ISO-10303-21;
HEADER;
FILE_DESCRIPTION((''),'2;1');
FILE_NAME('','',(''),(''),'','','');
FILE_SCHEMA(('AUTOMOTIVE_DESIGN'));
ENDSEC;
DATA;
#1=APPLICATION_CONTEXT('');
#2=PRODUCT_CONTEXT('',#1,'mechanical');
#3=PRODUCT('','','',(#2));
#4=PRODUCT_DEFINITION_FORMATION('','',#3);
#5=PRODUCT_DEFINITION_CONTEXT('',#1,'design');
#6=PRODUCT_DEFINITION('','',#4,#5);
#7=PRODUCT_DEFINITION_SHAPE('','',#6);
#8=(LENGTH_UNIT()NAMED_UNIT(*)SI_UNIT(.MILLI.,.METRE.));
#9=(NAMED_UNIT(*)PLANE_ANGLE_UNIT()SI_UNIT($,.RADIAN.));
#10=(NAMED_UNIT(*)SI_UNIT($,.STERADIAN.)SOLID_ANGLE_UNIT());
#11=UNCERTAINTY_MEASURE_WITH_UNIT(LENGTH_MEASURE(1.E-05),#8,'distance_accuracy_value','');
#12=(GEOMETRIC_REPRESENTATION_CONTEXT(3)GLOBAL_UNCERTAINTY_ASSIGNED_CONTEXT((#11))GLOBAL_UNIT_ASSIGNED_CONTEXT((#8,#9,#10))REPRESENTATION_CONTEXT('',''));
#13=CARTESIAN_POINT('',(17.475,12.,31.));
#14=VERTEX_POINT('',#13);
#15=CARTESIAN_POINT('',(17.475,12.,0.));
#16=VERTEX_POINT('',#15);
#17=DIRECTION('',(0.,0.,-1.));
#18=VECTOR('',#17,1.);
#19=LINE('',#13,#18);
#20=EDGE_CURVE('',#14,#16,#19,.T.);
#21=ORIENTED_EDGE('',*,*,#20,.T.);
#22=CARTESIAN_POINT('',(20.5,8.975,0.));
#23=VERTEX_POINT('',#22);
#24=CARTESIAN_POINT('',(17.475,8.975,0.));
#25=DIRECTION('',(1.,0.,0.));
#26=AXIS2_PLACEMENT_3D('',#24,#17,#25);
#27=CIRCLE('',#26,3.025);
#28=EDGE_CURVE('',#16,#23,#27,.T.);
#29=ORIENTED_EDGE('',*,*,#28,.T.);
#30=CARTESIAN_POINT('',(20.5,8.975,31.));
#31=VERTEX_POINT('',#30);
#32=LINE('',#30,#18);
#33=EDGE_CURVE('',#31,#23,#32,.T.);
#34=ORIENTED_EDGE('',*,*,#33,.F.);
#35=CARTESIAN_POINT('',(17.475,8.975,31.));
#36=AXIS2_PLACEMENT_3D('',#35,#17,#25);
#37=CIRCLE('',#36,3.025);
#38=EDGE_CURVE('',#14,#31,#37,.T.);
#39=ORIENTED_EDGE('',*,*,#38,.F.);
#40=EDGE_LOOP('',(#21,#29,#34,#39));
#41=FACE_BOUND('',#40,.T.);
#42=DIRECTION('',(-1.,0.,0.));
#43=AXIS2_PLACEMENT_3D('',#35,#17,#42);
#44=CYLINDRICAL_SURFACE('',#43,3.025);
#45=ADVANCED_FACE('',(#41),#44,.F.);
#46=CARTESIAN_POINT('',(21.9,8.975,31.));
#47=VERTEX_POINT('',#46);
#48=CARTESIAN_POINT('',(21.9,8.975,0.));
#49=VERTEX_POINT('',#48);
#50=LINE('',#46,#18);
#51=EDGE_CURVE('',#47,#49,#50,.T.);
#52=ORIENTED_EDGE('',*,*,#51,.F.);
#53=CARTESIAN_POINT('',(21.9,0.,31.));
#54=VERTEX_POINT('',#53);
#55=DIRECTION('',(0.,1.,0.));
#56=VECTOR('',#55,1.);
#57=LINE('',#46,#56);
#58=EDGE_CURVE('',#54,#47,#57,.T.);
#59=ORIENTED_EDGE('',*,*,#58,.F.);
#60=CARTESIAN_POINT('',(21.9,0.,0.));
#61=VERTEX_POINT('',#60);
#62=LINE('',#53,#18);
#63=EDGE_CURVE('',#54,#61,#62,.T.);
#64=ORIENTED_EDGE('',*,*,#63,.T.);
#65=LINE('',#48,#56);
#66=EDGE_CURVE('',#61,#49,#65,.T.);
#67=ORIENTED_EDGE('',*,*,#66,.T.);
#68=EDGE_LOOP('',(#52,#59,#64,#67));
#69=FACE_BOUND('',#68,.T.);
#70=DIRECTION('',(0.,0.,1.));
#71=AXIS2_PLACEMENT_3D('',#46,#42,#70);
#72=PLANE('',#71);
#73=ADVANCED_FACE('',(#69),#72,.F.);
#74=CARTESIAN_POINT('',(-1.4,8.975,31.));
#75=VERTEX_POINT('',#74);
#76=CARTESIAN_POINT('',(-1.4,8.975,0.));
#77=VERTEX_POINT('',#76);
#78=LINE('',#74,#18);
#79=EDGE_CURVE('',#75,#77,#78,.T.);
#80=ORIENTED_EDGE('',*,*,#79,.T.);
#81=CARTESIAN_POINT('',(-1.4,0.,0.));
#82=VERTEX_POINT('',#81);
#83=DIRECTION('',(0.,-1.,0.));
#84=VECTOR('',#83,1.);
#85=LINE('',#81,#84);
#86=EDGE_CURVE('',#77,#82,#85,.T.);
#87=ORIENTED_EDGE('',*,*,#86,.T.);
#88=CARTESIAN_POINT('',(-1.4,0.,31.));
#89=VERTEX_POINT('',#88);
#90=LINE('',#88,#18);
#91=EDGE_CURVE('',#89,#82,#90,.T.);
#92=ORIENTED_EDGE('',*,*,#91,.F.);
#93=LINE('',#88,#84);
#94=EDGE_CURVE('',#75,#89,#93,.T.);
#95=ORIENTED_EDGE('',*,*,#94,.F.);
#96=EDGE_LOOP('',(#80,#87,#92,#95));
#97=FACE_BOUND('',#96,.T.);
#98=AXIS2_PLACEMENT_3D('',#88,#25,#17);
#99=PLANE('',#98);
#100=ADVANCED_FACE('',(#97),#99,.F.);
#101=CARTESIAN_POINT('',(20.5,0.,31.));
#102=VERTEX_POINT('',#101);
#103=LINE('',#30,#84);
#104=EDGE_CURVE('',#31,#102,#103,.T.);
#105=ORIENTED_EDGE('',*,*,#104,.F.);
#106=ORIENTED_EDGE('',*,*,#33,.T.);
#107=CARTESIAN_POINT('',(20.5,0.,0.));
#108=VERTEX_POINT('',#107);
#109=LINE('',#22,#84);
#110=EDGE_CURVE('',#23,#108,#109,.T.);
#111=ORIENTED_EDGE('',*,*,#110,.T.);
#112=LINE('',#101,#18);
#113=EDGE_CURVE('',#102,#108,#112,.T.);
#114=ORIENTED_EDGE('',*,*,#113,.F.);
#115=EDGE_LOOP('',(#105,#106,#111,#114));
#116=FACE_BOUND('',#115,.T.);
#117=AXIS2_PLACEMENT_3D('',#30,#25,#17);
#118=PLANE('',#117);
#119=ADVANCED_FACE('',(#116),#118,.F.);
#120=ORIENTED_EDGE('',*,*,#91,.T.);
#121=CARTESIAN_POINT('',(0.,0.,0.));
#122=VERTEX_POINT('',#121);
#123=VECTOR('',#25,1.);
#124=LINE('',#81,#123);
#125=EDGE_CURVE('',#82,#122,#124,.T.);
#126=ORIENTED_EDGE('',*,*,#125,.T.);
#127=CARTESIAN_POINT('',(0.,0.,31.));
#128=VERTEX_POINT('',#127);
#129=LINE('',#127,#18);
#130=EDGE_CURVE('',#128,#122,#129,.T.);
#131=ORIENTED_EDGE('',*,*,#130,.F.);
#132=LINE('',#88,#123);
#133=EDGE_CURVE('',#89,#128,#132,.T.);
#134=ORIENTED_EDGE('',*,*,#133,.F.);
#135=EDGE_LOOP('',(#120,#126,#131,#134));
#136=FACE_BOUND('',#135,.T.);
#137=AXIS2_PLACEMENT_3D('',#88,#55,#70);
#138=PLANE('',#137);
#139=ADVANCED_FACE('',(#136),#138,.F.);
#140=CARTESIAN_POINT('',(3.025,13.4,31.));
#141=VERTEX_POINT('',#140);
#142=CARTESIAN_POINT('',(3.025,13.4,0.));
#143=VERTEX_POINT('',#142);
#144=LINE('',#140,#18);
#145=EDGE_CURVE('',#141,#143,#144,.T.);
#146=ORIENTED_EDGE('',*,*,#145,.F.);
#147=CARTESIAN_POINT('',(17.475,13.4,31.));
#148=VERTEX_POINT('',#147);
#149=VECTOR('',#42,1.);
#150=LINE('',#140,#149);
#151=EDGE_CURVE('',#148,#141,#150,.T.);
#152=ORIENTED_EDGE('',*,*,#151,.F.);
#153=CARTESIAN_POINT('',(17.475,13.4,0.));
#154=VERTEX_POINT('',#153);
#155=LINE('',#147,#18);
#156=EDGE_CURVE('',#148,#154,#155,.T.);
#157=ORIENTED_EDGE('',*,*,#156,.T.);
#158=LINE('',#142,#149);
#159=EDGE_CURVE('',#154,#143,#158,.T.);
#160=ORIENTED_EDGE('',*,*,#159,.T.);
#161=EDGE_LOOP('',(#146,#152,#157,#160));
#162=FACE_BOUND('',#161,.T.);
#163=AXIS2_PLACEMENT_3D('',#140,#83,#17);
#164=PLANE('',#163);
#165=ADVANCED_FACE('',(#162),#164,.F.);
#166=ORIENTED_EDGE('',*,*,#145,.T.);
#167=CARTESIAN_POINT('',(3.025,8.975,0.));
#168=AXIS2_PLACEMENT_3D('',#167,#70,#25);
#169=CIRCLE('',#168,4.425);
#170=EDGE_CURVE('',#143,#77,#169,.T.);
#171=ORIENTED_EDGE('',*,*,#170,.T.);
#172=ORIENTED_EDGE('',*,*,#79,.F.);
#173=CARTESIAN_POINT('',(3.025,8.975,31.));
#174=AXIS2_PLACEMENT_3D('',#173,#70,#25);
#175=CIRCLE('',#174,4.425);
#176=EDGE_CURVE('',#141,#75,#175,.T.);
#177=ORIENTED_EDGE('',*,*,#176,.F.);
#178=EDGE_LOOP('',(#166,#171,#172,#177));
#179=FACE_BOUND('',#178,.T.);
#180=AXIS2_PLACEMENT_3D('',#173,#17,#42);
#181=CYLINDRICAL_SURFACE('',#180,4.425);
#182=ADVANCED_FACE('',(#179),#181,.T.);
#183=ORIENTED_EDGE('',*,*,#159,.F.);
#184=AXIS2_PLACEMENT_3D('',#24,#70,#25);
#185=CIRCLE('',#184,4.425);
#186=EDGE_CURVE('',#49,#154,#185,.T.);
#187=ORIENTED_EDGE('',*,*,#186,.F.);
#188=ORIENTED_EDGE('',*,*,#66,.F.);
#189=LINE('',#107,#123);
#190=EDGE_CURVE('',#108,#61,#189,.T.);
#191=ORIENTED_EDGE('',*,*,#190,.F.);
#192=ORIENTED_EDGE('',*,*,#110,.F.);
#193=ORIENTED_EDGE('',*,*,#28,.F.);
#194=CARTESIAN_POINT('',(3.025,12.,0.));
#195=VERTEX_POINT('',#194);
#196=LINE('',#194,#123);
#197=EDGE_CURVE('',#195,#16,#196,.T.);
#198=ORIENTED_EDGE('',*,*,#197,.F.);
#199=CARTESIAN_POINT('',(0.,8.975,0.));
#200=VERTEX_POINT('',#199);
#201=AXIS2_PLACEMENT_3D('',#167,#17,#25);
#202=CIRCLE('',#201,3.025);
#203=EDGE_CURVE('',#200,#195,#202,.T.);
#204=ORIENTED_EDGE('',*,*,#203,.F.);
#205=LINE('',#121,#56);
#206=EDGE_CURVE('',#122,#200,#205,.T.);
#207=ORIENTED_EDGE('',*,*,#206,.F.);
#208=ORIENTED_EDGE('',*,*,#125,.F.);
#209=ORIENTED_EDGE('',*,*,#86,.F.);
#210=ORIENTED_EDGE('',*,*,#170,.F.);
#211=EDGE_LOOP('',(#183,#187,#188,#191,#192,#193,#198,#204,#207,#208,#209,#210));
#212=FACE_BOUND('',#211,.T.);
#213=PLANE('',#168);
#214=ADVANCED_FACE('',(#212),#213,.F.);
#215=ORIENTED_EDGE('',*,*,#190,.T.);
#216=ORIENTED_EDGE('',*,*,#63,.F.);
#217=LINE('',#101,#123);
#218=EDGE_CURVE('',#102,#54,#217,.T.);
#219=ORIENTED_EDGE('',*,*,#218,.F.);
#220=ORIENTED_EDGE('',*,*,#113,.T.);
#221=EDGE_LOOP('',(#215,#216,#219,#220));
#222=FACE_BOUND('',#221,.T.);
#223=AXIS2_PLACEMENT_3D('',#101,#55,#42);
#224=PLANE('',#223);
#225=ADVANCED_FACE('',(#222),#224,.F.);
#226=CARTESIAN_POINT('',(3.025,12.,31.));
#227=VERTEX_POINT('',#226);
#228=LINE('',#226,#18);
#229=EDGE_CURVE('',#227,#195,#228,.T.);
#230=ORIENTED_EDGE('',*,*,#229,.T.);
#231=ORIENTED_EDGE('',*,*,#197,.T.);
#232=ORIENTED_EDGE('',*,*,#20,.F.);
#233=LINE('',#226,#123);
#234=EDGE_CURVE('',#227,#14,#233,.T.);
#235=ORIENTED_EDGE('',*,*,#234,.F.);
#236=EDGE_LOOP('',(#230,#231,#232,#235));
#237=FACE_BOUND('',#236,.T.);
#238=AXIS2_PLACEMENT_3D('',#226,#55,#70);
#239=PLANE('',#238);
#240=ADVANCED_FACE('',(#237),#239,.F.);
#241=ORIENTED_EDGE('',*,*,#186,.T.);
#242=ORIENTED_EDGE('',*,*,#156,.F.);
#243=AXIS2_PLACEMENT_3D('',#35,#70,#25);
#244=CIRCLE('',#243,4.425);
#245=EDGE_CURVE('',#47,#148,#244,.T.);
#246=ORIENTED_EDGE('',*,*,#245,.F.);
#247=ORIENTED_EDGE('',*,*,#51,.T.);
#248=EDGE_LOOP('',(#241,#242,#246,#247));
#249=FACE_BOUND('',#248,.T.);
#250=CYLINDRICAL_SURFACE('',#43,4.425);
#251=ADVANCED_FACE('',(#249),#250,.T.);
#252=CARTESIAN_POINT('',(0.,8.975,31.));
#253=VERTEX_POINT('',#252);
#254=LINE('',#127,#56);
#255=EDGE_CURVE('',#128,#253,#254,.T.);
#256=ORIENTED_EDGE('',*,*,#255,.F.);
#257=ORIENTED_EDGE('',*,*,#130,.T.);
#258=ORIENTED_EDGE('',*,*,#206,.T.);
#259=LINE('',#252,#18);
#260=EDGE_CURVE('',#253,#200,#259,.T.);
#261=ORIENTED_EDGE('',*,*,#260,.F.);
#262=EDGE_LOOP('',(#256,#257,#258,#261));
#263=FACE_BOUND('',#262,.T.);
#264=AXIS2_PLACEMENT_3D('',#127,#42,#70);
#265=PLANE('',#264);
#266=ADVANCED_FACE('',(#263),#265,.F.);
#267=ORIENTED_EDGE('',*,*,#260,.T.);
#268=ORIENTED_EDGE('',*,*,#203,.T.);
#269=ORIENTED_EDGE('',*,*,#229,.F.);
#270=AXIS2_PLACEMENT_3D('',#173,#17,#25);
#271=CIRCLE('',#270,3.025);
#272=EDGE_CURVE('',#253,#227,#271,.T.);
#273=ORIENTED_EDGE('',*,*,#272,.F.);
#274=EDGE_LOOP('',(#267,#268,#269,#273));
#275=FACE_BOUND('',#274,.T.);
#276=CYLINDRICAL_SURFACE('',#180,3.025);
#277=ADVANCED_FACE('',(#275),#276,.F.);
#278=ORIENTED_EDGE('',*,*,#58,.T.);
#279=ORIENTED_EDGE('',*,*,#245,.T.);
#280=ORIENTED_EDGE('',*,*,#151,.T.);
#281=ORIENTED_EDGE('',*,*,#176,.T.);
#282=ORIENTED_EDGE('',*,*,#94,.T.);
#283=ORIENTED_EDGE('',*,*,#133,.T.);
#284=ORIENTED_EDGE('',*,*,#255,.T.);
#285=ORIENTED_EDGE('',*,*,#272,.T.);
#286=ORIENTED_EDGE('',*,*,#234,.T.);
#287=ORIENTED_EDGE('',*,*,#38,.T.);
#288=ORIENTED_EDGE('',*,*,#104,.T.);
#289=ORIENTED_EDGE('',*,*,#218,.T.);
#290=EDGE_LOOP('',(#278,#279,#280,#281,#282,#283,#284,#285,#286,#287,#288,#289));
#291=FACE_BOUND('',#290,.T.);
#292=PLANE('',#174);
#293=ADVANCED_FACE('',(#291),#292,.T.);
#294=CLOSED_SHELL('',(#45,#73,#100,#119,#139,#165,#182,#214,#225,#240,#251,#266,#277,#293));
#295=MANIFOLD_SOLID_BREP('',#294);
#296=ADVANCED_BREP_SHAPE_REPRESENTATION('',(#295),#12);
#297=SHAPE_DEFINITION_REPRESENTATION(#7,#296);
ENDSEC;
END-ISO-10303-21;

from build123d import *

# Parameters (mm, degrees)
EXTRUDE1_DEPTH = 31


with BuildPart() as part:
    # Sketch2 → Extrude1 (new body)
    with BuildSketch(Plane.XY):
        with BuildLine():
            Line((0, 0), (0, 8.975))
            ThreePointArc((0, 8.975), (0.886001987, 11.113998013), (3.025, 12))
            Line((3.025, 12), (17.475, 12))
            ThreePointArc((17.475, 12), (19.613998013, 11.113998013), (20.5, 8.975))
            Line((20.5, 8.975), (20.5, 0))
            Line((20.5, 0), (21.9, 0))
            Line((21.9, 0), (21.9, 8.975))
            ThreePointArc((21.9, 8.975), (20.603947507, 12.103947507), (17.475, 13.4))
            Line((17.475, 13.4), (3.025, 13.4))
            ThreePointArc((3.025, 13.4), (-0.103947507, 12.103947507), (-1.4, 8.975))
            Line((-1.4, 8.975), (-1.4, 0))
            Line((-1.4, 0), (0, 0))
        make_face()
    extrude(amount=EXTRUDE1_DEPTH)


solid = part.part
